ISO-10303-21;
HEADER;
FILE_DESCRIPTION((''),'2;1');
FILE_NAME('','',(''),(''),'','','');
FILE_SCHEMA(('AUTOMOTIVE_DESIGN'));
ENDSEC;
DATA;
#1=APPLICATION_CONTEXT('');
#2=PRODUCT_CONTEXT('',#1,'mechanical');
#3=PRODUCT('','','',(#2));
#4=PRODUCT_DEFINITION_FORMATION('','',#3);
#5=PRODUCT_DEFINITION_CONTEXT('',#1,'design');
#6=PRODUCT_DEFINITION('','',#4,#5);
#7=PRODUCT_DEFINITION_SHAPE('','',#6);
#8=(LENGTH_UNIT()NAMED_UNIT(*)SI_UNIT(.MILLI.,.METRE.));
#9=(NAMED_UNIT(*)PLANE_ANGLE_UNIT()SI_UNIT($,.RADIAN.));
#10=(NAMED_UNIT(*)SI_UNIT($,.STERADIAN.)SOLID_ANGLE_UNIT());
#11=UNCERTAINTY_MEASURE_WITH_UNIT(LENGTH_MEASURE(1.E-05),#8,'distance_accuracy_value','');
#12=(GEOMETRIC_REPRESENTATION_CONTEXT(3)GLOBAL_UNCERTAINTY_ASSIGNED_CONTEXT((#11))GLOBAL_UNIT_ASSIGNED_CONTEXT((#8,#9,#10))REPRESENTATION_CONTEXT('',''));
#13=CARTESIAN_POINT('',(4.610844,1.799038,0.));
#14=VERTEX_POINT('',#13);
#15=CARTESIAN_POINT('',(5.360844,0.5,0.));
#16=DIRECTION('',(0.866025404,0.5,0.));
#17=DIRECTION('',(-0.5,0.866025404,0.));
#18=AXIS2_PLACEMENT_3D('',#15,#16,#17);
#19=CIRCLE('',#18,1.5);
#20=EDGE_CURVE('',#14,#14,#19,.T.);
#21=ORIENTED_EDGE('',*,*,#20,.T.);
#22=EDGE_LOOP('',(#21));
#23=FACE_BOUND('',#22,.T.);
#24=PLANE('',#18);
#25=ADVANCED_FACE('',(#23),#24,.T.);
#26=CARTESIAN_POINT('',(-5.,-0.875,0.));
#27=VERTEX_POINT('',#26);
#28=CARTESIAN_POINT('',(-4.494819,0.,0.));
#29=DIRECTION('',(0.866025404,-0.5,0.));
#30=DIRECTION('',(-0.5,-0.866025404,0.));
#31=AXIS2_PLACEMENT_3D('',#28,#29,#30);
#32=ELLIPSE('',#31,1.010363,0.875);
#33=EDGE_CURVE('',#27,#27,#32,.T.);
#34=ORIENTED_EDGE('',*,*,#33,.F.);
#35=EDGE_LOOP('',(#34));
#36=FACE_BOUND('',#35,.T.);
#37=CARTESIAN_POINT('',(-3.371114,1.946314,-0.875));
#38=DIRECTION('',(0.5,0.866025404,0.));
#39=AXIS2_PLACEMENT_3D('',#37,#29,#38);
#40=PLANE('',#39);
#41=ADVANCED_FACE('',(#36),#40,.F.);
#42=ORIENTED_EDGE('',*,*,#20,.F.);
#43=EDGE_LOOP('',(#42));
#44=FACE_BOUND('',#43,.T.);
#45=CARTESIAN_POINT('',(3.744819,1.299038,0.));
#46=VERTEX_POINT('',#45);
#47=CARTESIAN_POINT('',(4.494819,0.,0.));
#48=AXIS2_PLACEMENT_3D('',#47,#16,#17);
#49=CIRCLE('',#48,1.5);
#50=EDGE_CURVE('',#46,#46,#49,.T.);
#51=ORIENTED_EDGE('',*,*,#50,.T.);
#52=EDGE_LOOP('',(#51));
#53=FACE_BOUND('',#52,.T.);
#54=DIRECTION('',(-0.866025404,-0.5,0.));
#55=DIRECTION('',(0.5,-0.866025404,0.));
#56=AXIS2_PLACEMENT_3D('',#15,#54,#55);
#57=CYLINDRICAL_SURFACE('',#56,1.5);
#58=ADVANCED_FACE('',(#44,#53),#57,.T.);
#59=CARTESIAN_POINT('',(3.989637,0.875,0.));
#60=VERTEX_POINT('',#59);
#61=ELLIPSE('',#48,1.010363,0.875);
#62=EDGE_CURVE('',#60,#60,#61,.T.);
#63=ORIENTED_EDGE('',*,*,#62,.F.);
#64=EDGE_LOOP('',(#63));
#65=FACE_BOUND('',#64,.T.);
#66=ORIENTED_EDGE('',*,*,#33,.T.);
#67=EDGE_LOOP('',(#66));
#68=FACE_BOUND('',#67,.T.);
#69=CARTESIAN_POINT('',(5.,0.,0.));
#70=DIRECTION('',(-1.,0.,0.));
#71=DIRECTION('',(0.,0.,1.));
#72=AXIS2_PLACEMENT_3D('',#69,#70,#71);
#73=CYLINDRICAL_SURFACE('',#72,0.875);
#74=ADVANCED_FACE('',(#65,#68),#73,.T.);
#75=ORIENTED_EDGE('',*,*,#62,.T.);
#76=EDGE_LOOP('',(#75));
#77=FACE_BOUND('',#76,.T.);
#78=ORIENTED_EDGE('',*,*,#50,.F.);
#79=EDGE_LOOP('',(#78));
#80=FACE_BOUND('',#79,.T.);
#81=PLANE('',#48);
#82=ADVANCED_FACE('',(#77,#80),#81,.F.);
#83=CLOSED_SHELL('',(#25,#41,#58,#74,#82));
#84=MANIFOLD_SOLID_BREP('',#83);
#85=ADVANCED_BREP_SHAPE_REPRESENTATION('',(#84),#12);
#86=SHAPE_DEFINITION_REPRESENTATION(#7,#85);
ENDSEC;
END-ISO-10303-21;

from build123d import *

# Parameters (mm, degrees)
SKETCH1_R               = 0.875
BOSS_EXTRUDE1_DEPTH     = 5
CUT_EXTRUDE1_DEPTH      = 6.150849445
CUT_EXTRUDE1_DEPTH_BACK = 6.150849445
SKETCH3_R               = 1.5
BOSS_EXTRUDE2_DEPTH     = 1


with BuildPart() as part:
    # Sketch1 → Boss-Extrude1 (new, symmetric)
    with BuildSketch(Plane(origin=(0, 0, 0), x_dir=(0, 0, -1), z_dir=(1, 0, 0))):
        Circle(SKETCH1_R)
    extrude(amount=BOSS_EXTRUDE1_DEPTH, both=True)

    # Sketch2 → Cut-Extrude1 (cut, two sides: drawn at the far end of the back side and taken through both)
    with BuildSketch(Plane.XY.offset(-CUT_EXTRUDE1_DEPTH_BACK)):
        Polygon((-5, 0.875), (-5, -0.875), (-3.989637029, 0.875), align=None)
        Polygon((5, 0.875), (3.989637029, 0.875), (5, -0.875), align=None)
    extrude(amount=CUT_EXTRUDE1_DEPTH + CUT_EXTRUDE1_DEPTH_BACK, mode=Mode.SUBTRACT)

    # Sketch3 → Boss-Extrude2 (add)
    with BuildSketch(Plane(origin=(3.371113886, 1.946313509, 0), x_dir=(0, 0, -1), z_dir=(0.866025403784438, 0.5000000000000012, 0))):
        with Locations(Location((0, -2.247409257, 0), (0, 0, 90))):
            Circle(SKETCH3_R)
    extrude(amount=BOSS_EXTRUDE2_DEPTH)


solid = part.part
